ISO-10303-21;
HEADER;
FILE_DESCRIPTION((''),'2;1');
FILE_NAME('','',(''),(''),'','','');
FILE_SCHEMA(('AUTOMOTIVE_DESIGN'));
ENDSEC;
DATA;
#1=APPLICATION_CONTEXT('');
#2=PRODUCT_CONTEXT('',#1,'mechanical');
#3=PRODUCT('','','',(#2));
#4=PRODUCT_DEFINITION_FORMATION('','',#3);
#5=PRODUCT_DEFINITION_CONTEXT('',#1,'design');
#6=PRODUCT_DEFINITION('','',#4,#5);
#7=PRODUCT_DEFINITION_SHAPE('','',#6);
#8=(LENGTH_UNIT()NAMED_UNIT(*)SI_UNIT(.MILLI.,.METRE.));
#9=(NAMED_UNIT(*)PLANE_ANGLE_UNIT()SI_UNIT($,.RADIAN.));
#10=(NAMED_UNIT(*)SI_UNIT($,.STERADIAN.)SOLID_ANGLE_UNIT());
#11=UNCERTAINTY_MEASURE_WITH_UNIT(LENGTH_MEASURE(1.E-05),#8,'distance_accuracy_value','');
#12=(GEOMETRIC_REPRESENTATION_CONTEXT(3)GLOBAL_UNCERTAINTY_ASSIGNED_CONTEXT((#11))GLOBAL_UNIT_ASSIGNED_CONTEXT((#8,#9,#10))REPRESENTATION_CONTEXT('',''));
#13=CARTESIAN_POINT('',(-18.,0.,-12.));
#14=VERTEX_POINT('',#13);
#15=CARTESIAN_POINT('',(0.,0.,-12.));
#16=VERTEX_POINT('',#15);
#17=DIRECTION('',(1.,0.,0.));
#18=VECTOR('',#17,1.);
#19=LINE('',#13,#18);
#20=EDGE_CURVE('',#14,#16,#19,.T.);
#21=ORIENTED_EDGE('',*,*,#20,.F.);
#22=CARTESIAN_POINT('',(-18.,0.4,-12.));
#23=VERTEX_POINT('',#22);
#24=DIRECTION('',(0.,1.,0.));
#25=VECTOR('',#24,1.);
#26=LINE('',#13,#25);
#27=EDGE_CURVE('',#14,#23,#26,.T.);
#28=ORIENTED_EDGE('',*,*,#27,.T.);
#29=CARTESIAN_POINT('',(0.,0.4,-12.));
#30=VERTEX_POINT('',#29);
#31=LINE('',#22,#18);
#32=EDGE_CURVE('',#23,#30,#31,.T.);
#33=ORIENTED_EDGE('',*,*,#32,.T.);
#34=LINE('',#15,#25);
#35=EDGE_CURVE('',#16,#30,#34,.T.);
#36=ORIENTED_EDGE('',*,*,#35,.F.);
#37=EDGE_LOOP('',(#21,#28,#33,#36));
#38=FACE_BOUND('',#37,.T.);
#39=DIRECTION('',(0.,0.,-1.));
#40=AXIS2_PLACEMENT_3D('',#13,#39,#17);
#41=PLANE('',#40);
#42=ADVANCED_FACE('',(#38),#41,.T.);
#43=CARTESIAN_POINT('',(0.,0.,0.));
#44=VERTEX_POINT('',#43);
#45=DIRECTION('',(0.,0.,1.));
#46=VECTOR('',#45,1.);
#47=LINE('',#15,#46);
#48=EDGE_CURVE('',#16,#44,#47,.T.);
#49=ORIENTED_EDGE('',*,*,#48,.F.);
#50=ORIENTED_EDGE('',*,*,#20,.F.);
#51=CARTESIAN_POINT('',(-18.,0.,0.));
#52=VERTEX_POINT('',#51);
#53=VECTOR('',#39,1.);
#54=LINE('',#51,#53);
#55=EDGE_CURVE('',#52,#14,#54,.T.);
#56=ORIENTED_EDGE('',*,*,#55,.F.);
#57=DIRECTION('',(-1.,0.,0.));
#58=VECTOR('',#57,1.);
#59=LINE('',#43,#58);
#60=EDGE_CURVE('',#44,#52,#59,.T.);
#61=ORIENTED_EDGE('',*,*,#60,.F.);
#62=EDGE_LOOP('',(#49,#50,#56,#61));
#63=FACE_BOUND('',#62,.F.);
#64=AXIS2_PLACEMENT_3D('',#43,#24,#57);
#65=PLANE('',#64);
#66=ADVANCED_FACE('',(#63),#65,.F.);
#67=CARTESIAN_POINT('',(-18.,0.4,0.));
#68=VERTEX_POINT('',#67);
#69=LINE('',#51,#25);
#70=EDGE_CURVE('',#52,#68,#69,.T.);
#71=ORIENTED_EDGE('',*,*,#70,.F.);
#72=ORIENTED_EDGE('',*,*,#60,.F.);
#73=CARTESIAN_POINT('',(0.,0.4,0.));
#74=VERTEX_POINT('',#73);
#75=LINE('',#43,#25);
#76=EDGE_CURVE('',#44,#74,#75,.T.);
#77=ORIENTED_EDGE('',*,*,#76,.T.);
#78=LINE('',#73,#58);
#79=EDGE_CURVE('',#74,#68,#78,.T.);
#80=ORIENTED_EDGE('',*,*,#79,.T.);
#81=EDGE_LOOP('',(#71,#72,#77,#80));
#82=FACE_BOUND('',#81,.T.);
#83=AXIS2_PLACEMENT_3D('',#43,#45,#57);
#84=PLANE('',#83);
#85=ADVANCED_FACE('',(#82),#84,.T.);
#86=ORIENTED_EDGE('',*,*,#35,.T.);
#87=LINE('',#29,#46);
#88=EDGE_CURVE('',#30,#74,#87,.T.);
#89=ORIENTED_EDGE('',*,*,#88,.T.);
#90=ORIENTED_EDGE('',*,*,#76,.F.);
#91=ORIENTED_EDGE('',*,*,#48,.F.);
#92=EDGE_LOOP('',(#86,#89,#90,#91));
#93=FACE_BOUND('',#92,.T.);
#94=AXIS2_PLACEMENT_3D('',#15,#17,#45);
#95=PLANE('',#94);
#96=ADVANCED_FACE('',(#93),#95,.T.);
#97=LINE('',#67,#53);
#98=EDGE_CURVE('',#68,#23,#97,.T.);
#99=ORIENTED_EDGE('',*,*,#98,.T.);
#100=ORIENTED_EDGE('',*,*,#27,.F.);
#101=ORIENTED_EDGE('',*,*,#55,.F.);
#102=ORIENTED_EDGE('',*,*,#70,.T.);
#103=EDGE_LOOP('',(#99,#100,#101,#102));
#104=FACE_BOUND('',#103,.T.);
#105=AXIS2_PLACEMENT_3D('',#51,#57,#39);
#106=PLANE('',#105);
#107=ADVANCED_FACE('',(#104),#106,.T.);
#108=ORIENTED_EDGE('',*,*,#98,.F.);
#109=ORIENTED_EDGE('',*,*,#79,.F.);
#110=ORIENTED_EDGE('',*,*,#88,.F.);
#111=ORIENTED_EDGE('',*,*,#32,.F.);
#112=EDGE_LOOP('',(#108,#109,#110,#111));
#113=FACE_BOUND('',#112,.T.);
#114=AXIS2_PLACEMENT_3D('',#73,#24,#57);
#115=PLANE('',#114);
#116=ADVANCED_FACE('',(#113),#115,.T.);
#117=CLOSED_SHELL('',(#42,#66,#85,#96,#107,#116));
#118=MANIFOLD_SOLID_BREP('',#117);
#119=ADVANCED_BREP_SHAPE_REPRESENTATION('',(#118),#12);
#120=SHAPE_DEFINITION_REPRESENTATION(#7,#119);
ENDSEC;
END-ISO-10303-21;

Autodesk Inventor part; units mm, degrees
ref_plane "YZ Plane" through (0, 0, 0) normal (1, 0, 0) x (0, 1, 0)
ref_plane "XZ Plane" through (0, 0, 0) normal (0, 1, 0) x (-1, 0, 0)
ref_plane "XY Plane" through (0, 0, 0) normal (0, 0, 1) x (1, 0, 0)
sketch "Sketch1" plane through (0, 0, 0) normal (0, 1, 0) x (-1, 0, 0)
  line L0 (0, 0) -> (18, 0)
  line L1 (18, 0) -> (18, -12)
  line L2 (18, -12) -> (0, -12)
  line L3 (0, -12) -> (0, 0)
  dimension "d0" = 18
  dimension "d1" = 12
extrude "Extrusion1" add sketch "Sketch1" along normal blind 0.4
properties part number "shim_0.5mm"
